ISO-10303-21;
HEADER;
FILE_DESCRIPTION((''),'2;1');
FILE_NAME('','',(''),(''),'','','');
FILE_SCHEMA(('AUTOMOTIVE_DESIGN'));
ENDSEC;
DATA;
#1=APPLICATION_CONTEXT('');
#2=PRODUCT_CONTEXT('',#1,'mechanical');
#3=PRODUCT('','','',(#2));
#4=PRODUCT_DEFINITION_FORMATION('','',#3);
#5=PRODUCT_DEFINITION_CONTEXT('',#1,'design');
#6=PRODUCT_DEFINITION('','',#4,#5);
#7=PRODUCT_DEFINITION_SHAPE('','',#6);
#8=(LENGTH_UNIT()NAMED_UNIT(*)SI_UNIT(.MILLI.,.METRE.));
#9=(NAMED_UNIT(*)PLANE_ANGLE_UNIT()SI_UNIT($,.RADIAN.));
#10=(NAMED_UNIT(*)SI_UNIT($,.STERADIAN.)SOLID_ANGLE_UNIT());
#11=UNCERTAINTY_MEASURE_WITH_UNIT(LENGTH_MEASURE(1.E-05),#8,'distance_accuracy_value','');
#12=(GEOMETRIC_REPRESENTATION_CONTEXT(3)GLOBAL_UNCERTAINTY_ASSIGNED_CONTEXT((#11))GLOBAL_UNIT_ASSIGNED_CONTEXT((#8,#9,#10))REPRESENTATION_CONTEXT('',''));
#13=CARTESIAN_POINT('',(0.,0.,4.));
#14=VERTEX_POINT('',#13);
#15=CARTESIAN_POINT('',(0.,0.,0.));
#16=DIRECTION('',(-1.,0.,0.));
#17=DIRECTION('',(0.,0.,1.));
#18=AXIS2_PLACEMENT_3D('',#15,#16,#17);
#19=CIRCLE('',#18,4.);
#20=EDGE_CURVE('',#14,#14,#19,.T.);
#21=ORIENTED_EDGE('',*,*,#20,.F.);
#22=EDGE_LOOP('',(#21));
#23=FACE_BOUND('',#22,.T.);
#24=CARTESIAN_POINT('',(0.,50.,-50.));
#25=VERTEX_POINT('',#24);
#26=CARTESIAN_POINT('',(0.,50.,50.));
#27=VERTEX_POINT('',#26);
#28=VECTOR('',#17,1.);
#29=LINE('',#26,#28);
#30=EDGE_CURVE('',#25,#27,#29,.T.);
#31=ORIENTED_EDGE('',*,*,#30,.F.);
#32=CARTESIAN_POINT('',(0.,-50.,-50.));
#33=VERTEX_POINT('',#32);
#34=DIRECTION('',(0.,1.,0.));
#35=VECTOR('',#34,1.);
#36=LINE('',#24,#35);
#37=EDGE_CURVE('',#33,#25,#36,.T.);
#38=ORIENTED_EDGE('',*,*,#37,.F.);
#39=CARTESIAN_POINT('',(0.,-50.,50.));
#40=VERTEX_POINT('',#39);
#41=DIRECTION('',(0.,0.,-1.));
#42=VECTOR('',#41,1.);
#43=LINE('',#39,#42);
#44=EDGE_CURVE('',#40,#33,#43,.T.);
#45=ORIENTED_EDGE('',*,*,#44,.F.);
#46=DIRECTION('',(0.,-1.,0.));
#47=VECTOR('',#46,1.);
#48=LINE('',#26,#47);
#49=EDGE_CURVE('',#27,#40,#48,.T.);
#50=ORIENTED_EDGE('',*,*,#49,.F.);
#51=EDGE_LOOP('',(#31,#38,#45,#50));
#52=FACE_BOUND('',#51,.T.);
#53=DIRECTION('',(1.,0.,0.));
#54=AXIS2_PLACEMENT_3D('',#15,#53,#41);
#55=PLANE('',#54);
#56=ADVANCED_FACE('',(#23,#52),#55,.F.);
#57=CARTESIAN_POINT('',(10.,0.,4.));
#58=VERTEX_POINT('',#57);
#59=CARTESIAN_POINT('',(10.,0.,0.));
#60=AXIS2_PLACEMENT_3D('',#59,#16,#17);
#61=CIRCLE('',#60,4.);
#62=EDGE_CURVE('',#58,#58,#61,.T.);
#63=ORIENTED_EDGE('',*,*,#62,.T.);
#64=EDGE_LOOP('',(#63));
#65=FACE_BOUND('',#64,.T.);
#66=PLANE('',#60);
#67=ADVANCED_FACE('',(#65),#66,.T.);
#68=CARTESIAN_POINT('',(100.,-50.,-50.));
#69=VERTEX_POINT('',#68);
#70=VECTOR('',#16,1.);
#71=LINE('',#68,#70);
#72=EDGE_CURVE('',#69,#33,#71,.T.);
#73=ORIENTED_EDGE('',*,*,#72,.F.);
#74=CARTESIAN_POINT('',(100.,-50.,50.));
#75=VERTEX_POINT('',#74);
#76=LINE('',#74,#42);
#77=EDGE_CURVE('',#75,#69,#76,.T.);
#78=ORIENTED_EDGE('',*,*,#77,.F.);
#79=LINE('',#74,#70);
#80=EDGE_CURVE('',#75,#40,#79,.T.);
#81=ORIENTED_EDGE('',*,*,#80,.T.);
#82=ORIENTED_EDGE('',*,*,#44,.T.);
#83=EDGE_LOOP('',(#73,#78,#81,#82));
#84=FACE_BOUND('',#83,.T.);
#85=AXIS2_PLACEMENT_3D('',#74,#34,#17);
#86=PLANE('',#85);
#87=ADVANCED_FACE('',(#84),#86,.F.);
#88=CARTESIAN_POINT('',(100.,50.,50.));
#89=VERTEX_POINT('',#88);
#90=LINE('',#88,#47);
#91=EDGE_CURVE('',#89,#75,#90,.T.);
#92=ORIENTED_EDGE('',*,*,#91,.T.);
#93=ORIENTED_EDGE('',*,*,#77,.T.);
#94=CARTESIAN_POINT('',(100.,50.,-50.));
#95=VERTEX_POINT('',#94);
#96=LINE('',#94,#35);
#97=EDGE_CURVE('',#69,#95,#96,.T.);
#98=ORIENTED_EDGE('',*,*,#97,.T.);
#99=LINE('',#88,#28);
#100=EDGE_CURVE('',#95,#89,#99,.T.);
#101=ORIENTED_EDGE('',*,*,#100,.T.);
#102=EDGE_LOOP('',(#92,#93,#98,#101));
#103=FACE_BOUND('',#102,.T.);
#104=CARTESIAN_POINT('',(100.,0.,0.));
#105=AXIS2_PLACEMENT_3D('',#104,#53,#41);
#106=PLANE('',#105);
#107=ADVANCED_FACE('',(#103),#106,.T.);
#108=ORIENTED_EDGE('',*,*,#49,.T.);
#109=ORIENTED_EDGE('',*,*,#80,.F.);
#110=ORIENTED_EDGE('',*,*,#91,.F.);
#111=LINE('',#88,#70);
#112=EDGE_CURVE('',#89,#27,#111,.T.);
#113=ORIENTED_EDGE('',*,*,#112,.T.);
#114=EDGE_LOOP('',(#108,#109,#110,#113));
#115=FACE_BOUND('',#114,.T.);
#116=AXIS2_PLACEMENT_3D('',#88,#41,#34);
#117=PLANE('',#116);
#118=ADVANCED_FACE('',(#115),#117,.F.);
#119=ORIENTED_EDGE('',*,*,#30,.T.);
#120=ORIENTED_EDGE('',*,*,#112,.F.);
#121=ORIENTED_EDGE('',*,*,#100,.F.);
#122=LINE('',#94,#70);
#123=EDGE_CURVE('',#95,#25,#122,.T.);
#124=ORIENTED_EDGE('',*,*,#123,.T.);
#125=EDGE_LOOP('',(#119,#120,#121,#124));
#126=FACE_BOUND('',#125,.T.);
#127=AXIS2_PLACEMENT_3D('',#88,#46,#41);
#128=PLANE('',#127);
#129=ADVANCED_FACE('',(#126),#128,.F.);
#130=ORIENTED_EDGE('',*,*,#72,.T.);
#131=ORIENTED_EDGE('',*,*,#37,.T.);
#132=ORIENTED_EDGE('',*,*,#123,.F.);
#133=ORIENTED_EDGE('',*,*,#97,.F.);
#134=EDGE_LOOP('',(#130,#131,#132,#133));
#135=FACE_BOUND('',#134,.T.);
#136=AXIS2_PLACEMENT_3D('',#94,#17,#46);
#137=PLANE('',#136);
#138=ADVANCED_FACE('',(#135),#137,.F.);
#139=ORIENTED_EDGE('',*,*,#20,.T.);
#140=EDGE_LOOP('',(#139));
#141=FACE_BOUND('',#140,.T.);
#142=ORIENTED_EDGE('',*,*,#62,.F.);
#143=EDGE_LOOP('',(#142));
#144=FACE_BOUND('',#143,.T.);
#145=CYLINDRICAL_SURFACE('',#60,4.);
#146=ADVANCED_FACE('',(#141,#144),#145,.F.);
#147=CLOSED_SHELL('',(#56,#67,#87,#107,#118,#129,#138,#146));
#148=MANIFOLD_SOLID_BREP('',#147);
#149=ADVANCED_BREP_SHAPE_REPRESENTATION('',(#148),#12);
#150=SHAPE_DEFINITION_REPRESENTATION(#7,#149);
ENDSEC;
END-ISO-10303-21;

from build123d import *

# Parameters (mm, degrees)
SKETCH1_W           = 100
SKETCH1_H           = 100
BOSS_EXTRUDE1_DEPTH = 100
SKETCH2_R           = 4
CUT_EXTRUDE1_DEPTH  = 10


with BuildPart() as part:
    # Sketch1 → Boss-Extrude1 (new body)
    with BuildSketch(Plane(origin=(0, 0, 0), x_dir=(0, 0, -1), z_dir=(1, 0, 0))):
        Rectangle(SKETCH1_W, SKETCH1_H)
    extrude(amount=BOSS_EXTRUDE1_DEPTH)

    # Sketch2 → Cut-Extrude1 (cut)
    with BuildSketch(Plane.ZY):
        Circle(SKETCH2_R)
    extrude(amount=-CUT_EXTRUDE1_DEPTH, mode=Mode.SUBTRACT)


solid = part.part
